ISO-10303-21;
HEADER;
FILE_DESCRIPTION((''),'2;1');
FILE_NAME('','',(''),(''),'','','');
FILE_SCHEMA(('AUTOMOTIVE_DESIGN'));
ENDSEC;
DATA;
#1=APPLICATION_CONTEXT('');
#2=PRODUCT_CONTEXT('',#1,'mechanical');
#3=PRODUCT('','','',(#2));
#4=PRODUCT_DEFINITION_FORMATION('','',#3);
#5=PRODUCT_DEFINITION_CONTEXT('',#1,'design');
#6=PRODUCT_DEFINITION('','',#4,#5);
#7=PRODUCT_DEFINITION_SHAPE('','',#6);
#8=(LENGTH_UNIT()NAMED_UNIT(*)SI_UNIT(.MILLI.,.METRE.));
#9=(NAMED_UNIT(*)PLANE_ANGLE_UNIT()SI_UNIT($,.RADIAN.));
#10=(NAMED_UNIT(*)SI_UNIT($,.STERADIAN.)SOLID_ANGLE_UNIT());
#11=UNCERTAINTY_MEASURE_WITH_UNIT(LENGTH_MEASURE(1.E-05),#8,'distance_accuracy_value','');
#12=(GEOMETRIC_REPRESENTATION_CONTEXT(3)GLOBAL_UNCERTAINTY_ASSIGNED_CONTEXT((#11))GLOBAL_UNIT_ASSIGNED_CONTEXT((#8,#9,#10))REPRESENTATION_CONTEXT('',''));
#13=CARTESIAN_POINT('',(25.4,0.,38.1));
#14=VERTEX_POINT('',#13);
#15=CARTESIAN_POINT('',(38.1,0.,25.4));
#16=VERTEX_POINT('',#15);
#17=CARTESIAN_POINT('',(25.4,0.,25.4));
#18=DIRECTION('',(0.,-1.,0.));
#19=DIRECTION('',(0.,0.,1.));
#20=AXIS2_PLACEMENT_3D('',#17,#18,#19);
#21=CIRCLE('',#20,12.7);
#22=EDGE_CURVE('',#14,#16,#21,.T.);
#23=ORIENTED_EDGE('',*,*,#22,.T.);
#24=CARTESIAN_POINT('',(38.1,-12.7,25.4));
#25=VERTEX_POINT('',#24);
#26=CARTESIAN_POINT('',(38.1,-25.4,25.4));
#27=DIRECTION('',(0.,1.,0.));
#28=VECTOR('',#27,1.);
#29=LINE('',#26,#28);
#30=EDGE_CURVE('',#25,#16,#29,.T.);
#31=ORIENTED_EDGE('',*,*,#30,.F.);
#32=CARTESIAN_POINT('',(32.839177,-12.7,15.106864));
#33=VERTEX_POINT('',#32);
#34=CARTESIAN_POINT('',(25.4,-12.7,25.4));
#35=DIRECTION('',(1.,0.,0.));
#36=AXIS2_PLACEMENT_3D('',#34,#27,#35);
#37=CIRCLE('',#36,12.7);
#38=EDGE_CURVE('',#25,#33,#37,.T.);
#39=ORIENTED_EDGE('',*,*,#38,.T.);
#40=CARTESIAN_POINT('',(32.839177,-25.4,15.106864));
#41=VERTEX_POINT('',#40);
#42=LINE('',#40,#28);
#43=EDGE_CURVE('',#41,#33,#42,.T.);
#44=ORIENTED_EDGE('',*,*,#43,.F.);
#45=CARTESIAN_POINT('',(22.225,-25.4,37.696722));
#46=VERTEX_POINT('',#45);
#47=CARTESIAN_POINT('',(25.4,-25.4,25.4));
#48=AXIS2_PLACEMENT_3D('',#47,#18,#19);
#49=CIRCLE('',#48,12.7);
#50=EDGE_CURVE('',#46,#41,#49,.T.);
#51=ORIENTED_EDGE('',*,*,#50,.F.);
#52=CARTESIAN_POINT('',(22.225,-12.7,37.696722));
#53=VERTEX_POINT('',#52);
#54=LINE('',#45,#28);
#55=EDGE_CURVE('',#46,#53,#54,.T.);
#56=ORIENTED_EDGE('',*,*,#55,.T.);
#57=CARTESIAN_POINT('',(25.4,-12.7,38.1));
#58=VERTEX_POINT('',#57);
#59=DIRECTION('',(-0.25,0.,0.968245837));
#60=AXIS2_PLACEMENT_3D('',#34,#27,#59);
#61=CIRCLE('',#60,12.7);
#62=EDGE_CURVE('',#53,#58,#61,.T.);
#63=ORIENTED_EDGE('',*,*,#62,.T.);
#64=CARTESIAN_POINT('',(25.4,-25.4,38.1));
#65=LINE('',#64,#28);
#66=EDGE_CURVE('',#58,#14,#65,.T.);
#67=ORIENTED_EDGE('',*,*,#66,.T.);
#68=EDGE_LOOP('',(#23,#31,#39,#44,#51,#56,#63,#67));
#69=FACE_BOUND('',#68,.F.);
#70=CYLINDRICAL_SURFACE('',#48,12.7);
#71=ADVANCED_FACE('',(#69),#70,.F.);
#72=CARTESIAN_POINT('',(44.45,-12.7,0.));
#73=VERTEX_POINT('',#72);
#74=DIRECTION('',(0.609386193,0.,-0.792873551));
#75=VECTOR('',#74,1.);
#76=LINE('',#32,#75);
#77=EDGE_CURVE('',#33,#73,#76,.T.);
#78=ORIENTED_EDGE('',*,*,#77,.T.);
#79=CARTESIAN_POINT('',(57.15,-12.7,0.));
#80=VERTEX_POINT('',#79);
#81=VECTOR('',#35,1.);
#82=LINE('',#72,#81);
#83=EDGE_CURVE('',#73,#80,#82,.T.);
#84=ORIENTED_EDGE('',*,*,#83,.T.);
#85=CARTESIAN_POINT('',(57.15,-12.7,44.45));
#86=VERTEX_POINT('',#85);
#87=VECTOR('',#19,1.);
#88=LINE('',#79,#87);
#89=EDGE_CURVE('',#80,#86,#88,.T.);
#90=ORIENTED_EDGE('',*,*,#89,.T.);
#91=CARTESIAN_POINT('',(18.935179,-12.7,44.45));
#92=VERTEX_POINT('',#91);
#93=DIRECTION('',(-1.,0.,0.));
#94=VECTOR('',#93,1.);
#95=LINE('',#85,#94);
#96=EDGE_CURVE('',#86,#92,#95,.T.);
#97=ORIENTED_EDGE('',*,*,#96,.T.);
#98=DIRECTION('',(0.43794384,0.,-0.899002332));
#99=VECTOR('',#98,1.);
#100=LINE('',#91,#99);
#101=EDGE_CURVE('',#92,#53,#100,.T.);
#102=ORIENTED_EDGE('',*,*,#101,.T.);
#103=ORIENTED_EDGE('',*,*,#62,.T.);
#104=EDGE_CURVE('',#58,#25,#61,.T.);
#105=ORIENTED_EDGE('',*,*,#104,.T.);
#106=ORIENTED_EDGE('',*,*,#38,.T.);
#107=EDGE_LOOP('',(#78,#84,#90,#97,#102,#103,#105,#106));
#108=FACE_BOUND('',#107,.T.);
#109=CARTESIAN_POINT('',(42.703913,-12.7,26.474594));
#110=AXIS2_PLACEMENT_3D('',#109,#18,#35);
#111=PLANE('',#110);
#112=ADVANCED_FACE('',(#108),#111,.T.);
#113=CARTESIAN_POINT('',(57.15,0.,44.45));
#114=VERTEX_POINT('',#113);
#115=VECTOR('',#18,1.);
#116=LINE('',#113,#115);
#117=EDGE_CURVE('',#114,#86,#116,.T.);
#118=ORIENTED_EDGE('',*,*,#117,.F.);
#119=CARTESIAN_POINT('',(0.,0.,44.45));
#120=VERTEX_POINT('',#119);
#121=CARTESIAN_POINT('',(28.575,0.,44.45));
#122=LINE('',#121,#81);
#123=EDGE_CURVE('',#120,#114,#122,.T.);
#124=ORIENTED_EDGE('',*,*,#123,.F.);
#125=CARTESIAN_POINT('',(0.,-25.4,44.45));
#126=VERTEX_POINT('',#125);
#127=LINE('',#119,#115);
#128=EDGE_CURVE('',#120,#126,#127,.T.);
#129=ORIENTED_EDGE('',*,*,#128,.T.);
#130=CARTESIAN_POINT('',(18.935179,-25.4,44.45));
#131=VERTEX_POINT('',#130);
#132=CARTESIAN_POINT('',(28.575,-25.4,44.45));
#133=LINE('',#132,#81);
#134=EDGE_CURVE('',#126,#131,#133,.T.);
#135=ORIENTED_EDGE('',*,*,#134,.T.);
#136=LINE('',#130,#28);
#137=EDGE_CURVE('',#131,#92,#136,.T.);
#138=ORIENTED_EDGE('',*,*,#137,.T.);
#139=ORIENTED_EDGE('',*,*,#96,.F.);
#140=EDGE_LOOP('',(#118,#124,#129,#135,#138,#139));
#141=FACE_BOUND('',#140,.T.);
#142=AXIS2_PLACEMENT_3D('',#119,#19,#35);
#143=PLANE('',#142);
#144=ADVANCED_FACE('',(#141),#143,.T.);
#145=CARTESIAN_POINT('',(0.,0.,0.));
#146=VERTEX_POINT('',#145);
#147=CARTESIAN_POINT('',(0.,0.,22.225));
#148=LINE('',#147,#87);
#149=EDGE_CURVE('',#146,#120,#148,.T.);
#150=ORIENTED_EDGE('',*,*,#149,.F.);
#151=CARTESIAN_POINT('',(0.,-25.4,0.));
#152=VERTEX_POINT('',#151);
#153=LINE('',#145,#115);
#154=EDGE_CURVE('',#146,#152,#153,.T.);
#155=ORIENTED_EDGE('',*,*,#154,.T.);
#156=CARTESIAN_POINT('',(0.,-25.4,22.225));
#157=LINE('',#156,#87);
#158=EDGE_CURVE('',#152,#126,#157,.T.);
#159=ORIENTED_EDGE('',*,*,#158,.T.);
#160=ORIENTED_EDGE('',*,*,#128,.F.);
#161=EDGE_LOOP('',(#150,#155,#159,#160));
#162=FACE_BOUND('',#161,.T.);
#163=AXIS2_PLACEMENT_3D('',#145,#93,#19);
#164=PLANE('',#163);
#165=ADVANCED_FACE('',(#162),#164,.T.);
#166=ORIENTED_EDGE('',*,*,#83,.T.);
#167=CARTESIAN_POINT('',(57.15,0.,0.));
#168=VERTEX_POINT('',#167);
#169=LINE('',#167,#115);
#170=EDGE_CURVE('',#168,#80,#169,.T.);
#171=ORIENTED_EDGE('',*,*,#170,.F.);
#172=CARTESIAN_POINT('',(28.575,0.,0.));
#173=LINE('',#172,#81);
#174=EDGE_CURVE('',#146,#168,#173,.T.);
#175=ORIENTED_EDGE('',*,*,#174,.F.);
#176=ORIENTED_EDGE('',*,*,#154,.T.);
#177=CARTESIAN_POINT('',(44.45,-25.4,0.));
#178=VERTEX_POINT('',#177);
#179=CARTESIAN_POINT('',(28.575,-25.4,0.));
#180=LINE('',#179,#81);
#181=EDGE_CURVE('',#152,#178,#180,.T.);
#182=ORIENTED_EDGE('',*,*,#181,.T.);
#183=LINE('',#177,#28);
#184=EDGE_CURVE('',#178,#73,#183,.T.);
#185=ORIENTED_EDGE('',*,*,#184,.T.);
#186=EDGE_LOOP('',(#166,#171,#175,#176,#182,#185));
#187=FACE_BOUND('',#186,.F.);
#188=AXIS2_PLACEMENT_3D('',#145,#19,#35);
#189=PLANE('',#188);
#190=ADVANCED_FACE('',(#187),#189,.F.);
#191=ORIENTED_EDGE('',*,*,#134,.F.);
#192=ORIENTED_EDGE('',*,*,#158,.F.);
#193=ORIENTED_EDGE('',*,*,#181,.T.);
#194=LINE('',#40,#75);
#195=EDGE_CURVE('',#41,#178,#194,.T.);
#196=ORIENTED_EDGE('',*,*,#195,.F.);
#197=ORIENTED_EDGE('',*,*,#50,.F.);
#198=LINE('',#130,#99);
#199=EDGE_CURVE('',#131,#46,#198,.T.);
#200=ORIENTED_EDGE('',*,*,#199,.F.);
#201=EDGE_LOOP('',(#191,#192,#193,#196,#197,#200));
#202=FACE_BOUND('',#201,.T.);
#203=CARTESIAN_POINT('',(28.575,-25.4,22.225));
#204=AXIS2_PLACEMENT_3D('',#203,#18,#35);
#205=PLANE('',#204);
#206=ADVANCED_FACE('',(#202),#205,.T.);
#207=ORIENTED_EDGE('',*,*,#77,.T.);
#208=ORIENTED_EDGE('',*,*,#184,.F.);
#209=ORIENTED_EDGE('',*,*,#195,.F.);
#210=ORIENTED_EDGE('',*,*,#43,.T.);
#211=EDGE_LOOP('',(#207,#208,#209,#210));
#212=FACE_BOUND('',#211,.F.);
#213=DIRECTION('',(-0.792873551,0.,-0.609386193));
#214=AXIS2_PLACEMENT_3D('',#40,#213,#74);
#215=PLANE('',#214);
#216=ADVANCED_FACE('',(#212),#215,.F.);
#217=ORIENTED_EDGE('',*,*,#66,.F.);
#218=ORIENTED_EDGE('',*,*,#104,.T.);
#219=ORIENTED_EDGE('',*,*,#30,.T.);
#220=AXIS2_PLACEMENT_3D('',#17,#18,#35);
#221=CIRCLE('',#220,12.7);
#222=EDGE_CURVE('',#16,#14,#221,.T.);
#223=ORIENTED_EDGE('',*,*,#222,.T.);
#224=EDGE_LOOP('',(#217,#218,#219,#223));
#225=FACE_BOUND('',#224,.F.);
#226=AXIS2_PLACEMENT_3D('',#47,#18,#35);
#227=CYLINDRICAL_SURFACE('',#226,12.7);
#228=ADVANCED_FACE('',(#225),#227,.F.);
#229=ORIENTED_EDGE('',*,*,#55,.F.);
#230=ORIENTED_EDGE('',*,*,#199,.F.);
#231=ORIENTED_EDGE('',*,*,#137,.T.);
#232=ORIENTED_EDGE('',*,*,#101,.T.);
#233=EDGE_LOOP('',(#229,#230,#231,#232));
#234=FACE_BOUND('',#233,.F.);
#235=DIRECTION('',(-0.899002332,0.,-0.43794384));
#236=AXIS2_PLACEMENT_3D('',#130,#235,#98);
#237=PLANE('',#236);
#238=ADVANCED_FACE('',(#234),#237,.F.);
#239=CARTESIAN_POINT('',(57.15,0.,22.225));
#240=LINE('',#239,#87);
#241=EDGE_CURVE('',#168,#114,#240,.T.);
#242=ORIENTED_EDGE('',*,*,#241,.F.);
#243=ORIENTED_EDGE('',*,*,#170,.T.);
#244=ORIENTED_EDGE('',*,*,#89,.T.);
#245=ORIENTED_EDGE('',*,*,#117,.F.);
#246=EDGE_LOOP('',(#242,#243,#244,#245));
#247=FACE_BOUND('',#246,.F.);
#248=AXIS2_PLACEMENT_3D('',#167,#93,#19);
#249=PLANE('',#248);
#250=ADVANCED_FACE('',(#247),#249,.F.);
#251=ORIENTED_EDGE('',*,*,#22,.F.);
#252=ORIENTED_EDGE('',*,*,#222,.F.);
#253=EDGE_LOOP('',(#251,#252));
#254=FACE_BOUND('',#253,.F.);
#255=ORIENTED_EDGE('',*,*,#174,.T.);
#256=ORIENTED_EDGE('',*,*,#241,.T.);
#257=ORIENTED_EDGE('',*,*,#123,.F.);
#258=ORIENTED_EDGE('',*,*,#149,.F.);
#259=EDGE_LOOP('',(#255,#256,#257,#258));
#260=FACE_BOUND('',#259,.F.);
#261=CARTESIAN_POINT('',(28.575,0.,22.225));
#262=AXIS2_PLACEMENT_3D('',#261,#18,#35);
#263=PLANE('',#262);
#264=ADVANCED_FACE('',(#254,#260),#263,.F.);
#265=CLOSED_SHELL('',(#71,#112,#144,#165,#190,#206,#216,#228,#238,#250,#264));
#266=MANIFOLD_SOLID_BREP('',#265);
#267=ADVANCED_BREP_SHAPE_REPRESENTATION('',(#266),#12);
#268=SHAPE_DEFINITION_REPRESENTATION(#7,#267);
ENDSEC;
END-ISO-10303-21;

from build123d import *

# Parameters (mm, degrees)
F0_W     = 57.15
F0_H     = 44.45
F1_DEPTH = 25.4
F3_DEPTH = 25.401
F5_DEPTH = 12.7


with BuildPart() as f1:
    # F0 (on Front) → F1 (new body)
    with BuildSketch(Plane.XZ):
        with Locations((28.575, 22.225)):
            Rectangle(F0_W, F0_H)
    extrude(amount=F1_DEPTH)

    # F2 (on face) → F3 (cut, through all)
    with BuildSketch(Plane.XZ.offset(25.4)):
        with BuildLine():
            ThreePointArc((25.4, 38.1), (16.4197438789, 16.4197438789), (38.1, 25.4))
            ThreePointArc((38.1, 25.4), (34.3802561211, 34.3802561211), (25.4, 38.1))
        make_face()
    extrude(amount=-F3_DEPTH, mode=Mode.SUBTRACT)

    # F4 (on face) → F5 (cut)
    with BuildSketch(Plane.XZ.offset(25.4)):
        with BuildLine():
            Line((57.15, 44.45), (18.9351793379, 44.45))
            Line((18.9351793379, 44.45), (22.225, 37.6967221242))
            ThreePointArc((22.225, 37.6967221242), (33.1771299333, 35.440231571), (38.1, 25.4))
            ThreePointArc((38.1, 25.4), (36.7085708258, 19.6201880759), (32.8391770271, 15.1068641727))
            Line((32.8391770271, 15.1068641727), (44.45, 0))
            Line((44.45, 0), (57.15, 0))
            Line((57.15, 0), (57.15, 44.45))
        make_face()
    extrude(amount=-F5_DEPTH, mode=Mode.SUBTRACT)


solid = f1.part
